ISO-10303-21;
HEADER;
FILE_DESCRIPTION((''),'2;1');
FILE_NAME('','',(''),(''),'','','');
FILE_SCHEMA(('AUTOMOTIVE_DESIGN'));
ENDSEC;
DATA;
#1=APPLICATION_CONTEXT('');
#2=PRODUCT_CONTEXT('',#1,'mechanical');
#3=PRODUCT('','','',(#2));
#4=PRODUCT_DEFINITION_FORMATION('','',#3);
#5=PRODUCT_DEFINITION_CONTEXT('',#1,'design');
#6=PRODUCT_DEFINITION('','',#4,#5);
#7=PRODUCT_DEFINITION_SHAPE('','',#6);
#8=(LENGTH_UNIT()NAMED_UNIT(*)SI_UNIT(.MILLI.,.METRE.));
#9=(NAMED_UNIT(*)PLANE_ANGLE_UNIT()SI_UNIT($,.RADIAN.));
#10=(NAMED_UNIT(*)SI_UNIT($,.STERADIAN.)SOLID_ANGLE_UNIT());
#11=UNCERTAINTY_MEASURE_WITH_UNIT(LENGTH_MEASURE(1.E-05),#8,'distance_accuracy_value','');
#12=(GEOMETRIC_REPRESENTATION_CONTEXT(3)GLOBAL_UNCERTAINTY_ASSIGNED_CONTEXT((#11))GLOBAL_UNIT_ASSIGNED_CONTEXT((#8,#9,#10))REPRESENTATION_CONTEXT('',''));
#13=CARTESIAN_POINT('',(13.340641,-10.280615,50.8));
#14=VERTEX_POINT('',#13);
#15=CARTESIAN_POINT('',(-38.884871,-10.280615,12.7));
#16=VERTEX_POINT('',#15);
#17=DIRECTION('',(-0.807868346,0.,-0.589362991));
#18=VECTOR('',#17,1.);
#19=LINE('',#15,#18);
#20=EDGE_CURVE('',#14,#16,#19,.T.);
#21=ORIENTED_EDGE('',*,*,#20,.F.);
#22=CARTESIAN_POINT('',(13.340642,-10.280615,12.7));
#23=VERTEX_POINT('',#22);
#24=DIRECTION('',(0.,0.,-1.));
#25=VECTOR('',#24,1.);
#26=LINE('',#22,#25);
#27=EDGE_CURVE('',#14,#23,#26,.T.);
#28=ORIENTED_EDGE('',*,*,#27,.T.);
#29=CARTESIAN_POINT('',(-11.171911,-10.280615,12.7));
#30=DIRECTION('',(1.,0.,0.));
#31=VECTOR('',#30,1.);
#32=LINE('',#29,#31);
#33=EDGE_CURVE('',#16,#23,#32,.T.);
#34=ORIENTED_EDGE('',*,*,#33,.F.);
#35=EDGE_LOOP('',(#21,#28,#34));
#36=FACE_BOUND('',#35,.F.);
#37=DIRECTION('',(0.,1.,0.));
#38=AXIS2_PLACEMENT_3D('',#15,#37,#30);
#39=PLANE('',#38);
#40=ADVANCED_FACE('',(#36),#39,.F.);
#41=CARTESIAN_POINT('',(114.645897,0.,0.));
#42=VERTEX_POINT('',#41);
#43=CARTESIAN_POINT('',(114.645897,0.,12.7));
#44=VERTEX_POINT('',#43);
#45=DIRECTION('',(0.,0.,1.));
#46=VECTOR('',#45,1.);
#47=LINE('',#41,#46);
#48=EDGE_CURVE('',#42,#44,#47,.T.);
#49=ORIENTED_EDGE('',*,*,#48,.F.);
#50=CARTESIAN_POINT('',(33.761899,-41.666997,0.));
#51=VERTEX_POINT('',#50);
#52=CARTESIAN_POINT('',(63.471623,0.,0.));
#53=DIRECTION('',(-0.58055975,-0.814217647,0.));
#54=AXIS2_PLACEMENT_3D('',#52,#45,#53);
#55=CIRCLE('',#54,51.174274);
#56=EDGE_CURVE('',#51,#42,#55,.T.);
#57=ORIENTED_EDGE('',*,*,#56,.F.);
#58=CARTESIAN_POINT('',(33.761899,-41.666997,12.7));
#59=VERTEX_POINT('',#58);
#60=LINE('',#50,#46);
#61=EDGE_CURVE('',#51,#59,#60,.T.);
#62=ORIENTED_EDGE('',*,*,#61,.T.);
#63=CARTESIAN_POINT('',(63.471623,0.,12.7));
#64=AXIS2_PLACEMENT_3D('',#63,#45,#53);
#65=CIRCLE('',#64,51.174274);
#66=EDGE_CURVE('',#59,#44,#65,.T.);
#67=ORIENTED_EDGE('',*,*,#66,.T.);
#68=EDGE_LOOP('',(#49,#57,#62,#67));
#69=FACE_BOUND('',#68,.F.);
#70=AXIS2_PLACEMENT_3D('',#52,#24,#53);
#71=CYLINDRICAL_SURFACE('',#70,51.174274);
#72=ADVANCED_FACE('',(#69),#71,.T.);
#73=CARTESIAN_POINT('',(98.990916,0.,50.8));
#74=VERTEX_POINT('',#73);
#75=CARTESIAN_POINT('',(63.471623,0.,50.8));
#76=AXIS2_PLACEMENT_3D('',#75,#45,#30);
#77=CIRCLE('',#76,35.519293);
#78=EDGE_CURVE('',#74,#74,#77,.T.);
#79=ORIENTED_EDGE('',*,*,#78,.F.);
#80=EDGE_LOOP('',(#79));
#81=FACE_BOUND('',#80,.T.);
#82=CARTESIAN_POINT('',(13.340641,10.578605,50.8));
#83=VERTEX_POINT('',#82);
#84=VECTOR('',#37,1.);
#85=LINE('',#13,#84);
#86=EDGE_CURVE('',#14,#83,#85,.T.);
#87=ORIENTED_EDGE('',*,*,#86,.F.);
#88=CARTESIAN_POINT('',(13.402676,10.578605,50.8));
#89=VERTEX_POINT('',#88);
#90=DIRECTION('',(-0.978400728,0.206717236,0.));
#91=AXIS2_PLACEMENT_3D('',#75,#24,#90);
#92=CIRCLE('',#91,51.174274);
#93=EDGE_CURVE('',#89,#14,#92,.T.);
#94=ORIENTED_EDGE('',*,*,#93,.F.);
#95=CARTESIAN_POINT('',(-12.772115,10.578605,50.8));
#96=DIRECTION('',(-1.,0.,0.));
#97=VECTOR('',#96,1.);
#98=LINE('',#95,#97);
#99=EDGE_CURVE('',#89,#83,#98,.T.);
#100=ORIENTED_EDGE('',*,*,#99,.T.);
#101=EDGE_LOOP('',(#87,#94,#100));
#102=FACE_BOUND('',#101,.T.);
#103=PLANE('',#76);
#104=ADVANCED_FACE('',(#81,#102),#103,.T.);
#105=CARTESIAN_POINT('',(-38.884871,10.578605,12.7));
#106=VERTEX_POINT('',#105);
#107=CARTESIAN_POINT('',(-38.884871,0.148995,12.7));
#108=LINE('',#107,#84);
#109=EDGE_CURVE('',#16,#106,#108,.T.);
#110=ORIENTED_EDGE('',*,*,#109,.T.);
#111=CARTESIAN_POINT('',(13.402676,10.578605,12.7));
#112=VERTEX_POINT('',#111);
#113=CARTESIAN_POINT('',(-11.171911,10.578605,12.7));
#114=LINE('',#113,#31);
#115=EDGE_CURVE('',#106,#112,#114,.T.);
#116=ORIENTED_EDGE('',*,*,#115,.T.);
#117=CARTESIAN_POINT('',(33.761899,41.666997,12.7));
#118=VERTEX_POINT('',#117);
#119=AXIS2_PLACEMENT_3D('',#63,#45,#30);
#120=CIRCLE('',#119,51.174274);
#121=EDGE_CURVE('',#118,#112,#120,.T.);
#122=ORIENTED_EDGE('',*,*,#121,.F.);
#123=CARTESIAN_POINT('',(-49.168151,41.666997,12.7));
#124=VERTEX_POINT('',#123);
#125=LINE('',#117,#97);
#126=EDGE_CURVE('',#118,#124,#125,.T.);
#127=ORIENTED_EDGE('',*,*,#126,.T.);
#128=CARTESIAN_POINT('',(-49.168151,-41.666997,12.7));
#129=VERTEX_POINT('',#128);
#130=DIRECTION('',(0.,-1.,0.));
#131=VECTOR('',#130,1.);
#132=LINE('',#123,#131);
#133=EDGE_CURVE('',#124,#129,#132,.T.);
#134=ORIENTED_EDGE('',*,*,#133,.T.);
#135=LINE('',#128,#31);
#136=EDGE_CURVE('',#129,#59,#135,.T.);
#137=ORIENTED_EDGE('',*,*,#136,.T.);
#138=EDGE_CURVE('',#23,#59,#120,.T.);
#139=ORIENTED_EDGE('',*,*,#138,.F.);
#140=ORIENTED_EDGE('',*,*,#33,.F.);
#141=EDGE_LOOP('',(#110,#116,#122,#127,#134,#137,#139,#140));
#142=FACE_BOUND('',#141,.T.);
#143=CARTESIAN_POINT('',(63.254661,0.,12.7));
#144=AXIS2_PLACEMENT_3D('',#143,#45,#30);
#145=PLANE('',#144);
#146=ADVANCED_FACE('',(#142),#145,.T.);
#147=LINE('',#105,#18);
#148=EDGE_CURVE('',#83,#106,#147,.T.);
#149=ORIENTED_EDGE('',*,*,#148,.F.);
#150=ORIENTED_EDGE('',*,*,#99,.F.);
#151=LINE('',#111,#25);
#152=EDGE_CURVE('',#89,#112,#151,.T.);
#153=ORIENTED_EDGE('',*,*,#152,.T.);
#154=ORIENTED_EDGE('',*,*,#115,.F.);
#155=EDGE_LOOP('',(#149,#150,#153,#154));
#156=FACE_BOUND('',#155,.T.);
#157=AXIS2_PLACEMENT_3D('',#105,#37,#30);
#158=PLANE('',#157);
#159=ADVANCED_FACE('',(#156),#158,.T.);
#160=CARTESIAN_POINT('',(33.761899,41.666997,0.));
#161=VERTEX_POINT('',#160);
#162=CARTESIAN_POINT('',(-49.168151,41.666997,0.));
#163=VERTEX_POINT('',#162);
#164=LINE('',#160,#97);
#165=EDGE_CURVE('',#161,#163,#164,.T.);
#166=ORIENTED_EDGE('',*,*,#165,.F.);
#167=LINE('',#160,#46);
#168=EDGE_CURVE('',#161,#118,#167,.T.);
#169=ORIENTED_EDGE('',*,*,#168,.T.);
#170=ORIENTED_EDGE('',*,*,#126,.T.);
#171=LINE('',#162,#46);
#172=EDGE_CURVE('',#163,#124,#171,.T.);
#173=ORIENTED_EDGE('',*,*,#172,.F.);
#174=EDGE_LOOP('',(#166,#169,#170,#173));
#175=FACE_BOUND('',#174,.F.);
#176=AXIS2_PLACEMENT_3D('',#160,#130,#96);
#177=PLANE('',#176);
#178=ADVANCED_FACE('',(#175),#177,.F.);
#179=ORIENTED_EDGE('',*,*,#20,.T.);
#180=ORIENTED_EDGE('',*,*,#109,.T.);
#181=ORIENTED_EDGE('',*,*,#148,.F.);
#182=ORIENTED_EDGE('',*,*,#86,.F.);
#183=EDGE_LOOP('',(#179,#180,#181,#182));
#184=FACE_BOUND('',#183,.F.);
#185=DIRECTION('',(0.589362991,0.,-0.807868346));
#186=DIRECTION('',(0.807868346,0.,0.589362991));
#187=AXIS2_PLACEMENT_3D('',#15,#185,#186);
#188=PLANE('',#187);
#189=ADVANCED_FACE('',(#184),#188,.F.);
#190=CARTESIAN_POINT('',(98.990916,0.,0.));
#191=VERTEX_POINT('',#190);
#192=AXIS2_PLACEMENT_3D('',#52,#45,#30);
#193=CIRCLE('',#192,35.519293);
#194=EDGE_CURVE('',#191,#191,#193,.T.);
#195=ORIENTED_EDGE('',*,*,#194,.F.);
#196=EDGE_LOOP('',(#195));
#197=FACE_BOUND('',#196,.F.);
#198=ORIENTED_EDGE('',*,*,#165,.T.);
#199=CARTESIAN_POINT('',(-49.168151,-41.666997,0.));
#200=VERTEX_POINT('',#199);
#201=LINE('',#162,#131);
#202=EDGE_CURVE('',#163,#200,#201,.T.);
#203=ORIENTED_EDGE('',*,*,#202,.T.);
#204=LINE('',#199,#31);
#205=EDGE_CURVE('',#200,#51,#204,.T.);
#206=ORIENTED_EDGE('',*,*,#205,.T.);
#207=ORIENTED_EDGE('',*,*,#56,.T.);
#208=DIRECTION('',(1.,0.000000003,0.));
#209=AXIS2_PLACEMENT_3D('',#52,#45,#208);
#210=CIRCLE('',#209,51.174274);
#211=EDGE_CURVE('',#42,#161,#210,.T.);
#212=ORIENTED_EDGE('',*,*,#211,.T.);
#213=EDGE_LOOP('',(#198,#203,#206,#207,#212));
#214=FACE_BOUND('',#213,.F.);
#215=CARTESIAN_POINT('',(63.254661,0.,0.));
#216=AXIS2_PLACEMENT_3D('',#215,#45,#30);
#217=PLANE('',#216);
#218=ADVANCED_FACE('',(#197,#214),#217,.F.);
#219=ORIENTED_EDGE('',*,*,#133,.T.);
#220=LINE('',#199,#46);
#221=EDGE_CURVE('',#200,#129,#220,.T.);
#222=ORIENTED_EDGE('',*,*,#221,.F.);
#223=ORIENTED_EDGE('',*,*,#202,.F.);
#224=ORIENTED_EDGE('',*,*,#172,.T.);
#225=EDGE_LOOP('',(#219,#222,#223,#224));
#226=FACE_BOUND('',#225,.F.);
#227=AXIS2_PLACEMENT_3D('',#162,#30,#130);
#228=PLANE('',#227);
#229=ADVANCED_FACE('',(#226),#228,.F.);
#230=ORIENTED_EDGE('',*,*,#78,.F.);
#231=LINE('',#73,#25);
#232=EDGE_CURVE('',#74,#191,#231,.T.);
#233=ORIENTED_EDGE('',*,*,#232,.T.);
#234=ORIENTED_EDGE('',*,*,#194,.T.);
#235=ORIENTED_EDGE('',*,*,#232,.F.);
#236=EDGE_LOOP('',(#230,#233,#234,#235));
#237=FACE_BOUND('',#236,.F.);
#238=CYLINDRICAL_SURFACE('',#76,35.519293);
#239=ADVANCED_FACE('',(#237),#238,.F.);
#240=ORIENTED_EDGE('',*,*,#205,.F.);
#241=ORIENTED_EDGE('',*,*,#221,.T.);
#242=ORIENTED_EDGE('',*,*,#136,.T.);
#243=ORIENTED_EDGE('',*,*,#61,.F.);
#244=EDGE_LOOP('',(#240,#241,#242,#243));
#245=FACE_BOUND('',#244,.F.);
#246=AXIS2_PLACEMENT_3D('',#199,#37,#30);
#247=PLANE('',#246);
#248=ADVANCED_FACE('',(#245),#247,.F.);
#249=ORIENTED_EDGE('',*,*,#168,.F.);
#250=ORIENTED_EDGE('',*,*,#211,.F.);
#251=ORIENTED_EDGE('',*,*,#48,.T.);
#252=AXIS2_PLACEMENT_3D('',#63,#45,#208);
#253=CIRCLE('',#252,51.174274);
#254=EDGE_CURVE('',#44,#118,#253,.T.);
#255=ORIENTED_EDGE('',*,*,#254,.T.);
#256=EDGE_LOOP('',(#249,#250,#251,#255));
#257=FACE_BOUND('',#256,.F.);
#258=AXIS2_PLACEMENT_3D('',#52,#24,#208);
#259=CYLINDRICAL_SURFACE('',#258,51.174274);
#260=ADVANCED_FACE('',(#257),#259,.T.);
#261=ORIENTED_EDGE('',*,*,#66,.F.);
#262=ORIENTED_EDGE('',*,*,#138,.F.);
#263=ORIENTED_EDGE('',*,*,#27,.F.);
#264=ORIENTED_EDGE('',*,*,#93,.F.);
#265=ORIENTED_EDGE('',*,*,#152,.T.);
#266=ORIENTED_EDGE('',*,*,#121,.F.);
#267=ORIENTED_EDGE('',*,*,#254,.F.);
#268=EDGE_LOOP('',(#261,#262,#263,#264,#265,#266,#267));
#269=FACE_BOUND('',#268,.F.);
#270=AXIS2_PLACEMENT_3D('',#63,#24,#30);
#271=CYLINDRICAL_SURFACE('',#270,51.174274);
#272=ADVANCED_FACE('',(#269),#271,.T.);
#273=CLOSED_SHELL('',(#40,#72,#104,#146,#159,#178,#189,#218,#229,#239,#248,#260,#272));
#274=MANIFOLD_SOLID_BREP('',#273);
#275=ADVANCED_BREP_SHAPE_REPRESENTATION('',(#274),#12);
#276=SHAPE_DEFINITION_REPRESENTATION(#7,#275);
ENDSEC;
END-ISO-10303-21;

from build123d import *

# Parameters (mm, degrees)
F0_R     = 29.709724
F1_DEPTH = 12.7
F2_R     = 51.174274
F2_R_2   = 35.519293
F3_DEPTH = 38.1
F4_R     = 35.519293
F5_DEPTH = 79.248
F6_W     = 55.42592
F6_H     = 20.859219
F7_DEPTH = 42.926
F9_DEPTH = 25.4


with BuildPart() as f1:
    # F0 (on Top) → F1 (new body)
    with BuildSketch(Plane.XY):
        with BuildLine():
            ThreePointArc((33.761899, -41.666997), (86.906989, -45.492746), (114.645897, 0))
            ThreePointArc((114.645897, 0), (86.906989, 45.492746), (33.761899, 41.666997))
            ThreePointArc((33.761899, 41.666997), (12.297348, 0), (33.761899, -41.666997))
        make_face()
        with Locations((63.471623, 0)):
            Circle(F0_R, mode=Mode.SUBTRACT)
        with BuildLine():
            ThreePointArc((33.761899, -41.666997), (12.297348, 0), (33.761899, 41.666997))
            Line((33.761899, 41.666997), (-49.168151, 41.666997))
            Line((-49.168151, 41.666997), (-49.168151, -41.666997))
            Line((-49.168151, -41.666997), (33.761899, -41.666997))
        make_face()
    extrude(amount=F1_DEPTH)

    # F2 (on face) → F3 (join)
    with BuildSketch(Plane.XY.offset(12.7)):
        with Locations((63.471623, 0)):
            Circle(F2_R)
        with Locations((63.471623, 0)):
            Circle(F2_R_2, mode=Mode.SUBTRACT)
    extrude(amount=F3_DEPTH)

    # F4 (on face) → F5 (cut)
    with BuildSketch(Plane.XY.offset(50.8)):
        with Locations((63.471623, 0)):
            Circle(F4_R)
    extrude(amount=-F5_DEPTH, mode=Mode.SUBTRACT)

    # F6 (on face) → F7 (join)
    with BuildSketch(Plane.XY.offset(12.7)):
        with Locations((-11.171911, 0.148995)):
            Rectangle(F6_W, F6_H)
    extrude(amount=F7_DEPTH)

    # F8 (on face) → F9 (cut)
    with BuildSketch(Plane.XZ.offset(10.280615)):
        Polygon((-38.884871, 70.77235), (-38.884871, 12.7), (13.340641, 50.8), (16.541049, 50.8), (16.541049, 70.77235), align=None)
    extrude(amount=-F9_DEPTH, mode=Mode.SUBTRACT)


solid = f1.part
